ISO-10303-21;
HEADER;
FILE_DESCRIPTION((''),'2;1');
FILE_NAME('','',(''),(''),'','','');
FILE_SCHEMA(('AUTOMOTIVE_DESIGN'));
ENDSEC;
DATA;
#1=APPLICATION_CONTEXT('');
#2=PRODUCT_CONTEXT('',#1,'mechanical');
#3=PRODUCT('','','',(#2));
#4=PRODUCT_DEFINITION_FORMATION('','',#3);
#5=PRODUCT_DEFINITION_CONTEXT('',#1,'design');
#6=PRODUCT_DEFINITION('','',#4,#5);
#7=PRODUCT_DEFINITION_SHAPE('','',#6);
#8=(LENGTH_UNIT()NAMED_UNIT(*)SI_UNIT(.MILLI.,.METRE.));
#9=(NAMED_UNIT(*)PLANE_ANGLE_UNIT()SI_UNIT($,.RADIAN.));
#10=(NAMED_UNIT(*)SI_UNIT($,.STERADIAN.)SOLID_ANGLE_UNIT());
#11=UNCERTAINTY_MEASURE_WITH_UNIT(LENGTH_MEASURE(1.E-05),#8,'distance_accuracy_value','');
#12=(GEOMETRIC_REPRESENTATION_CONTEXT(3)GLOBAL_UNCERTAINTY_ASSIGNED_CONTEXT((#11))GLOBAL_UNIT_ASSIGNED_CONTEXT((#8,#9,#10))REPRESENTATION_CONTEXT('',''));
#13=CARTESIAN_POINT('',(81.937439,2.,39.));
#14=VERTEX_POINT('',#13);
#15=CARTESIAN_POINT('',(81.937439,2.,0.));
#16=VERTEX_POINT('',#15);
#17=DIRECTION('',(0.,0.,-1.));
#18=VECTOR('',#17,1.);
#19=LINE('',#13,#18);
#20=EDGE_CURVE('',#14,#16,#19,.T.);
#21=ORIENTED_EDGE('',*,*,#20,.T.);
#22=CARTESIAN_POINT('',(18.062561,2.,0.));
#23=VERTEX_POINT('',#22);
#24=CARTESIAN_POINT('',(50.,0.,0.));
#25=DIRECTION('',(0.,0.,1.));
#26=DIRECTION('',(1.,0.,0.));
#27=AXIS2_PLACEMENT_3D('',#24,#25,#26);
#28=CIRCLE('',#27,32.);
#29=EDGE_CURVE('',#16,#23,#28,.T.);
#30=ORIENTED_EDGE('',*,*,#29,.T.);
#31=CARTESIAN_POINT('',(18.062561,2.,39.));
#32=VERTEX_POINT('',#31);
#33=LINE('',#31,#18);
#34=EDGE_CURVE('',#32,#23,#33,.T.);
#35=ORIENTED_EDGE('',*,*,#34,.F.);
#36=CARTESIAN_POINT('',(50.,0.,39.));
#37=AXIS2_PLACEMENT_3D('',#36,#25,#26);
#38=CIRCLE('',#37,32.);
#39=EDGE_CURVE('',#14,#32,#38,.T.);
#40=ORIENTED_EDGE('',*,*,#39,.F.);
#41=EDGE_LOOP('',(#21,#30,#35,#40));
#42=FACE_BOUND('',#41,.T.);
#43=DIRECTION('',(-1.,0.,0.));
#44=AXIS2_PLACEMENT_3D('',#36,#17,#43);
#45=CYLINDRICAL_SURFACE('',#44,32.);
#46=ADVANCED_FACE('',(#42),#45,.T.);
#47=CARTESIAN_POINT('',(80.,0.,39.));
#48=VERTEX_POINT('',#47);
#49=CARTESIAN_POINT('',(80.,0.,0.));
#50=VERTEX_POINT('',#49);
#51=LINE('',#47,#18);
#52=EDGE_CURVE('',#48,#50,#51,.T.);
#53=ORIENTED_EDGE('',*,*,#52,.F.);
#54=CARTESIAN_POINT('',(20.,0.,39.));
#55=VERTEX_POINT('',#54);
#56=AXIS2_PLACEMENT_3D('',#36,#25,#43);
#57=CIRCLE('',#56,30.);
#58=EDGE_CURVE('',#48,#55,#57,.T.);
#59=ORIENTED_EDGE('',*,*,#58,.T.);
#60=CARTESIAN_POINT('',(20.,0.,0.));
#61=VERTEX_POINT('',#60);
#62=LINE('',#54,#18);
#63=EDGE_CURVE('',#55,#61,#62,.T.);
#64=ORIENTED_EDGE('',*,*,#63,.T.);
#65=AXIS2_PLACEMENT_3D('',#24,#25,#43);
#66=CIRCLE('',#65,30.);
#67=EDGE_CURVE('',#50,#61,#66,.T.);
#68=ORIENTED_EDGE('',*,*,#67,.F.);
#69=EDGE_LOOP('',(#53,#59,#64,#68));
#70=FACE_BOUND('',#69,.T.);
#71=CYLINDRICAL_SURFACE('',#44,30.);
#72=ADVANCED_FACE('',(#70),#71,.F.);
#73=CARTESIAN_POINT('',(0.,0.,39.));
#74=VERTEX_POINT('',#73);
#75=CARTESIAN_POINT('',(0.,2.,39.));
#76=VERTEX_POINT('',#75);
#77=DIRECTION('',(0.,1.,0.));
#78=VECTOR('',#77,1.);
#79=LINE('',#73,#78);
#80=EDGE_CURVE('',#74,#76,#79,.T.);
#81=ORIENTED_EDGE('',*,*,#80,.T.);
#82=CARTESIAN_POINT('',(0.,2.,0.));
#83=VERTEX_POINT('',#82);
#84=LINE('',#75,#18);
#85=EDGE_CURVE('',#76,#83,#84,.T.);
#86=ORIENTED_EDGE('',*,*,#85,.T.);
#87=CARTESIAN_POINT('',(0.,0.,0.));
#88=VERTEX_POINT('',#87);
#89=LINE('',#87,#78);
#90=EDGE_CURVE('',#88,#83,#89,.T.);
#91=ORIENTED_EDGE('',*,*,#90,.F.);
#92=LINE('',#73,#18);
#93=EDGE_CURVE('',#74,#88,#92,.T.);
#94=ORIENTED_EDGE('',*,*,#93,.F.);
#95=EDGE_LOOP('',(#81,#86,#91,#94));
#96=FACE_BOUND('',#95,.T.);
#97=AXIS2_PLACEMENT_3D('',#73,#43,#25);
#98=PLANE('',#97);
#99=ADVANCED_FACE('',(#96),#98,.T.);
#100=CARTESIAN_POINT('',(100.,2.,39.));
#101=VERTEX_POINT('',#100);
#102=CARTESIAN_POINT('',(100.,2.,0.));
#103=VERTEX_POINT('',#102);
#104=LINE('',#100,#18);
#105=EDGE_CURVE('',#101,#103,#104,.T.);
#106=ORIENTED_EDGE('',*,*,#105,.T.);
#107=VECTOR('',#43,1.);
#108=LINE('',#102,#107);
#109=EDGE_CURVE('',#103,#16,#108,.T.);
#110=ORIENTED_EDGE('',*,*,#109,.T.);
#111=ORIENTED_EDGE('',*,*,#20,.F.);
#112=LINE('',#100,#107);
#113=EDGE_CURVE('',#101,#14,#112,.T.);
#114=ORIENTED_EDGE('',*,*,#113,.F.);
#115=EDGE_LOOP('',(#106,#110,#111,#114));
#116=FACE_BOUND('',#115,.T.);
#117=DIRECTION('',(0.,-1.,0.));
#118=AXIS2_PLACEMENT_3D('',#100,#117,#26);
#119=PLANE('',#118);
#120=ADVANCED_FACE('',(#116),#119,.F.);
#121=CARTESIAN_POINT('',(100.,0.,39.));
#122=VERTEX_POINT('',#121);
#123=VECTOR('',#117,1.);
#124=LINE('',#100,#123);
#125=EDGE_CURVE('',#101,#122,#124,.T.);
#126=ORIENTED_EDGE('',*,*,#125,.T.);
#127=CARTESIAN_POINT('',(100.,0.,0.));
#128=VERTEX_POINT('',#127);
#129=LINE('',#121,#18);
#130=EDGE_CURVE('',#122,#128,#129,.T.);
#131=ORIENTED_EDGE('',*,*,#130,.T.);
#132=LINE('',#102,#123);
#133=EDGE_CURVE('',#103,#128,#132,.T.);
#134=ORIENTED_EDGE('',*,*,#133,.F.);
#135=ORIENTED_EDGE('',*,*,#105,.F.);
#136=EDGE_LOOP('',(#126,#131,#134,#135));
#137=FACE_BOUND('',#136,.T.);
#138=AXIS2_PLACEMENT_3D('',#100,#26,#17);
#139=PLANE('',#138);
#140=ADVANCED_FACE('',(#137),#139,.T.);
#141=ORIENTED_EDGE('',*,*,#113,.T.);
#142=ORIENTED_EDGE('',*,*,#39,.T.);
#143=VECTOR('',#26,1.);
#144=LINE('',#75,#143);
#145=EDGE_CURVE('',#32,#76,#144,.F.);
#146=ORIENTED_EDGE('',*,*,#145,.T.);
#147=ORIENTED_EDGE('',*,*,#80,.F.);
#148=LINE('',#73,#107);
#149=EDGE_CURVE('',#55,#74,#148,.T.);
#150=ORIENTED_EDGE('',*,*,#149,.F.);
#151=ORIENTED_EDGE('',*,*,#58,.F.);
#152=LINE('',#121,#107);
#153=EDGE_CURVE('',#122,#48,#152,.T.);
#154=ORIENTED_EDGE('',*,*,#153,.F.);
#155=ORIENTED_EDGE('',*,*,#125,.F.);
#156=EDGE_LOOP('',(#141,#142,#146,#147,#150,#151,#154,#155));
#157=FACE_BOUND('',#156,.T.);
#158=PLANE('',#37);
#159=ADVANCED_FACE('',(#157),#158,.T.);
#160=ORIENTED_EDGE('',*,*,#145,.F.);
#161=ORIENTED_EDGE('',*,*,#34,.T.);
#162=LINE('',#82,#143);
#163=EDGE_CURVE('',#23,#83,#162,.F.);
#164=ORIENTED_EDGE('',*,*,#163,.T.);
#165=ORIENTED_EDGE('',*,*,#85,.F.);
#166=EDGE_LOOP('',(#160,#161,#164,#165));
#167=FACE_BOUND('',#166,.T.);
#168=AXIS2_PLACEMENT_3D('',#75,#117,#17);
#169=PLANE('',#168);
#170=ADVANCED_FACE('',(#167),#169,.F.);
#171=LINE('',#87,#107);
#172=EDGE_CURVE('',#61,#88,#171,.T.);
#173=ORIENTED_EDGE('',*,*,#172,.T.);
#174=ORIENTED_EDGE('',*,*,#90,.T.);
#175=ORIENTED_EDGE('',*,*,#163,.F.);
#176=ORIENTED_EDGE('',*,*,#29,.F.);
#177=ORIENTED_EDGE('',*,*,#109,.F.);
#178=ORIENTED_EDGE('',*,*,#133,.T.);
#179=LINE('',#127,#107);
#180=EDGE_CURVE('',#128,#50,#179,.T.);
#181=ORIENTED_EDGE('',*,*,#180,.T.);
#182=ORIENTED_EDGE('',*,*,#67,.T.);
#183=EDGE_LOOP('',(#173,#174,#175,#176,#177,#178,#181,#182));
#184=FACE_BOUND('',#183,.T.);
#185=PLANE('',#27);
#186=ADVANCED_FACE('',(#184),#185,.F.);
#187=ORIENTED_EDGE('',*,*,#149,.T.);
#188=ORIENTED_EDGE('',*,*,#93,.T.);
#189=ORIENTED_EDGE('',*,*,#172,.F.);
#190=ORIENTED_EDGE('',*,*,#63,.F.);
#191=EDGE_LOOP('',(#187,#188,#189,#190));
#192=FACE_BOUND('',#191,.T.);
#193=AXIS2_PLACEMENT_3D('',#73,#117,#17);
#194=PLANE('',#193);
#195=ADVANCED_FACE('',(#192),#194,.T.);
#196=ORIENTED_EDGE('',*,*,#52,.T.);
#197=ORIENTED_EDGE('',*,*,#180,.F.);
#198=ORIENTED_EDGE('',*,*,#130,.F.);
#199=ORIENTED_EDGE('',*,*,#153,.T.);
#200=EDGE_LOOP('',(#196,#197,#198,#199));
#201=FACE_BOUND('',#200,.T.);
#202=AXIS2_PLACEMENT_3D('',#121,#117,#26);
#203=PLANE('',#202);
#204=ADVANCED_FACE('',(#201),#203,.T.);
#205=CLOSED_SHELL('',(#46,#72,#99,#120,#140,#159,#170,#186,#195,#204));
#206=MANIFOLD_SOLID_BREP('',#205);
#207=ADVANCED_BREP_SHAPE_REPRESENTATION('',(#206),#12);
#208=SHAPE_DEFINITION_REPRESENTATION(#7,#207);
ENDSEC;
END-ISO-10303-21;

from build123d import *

# Parameters (mm, degrees)
EXTRUDE_THIN2_DEPTH = 39


with BuildPart() as part:
    # Sketch1 → Extrude-Thin2 (new body)
    with BuildSketch(Plane.XY):
        with BuildLine():
            Line((0, 0), (20, 0))
            ThreePointArc((20, 0), (50, 30), (80, 0))
            Line((80, 0), (100, 0))
            Line((100, 0), (100, 2))
            Line((100, 2), (81.937438845, 2))
            ThreePointArc((81.937438845, 2), (50, 32), (18.062561155, 2))
            Line((18.062561155, 2), (0, 2))
            Line((0, 2), (0, 0))
        make_face()
    extrude(amount=EXTRUDE_THIN2_DEPTH)


solid = part.part
